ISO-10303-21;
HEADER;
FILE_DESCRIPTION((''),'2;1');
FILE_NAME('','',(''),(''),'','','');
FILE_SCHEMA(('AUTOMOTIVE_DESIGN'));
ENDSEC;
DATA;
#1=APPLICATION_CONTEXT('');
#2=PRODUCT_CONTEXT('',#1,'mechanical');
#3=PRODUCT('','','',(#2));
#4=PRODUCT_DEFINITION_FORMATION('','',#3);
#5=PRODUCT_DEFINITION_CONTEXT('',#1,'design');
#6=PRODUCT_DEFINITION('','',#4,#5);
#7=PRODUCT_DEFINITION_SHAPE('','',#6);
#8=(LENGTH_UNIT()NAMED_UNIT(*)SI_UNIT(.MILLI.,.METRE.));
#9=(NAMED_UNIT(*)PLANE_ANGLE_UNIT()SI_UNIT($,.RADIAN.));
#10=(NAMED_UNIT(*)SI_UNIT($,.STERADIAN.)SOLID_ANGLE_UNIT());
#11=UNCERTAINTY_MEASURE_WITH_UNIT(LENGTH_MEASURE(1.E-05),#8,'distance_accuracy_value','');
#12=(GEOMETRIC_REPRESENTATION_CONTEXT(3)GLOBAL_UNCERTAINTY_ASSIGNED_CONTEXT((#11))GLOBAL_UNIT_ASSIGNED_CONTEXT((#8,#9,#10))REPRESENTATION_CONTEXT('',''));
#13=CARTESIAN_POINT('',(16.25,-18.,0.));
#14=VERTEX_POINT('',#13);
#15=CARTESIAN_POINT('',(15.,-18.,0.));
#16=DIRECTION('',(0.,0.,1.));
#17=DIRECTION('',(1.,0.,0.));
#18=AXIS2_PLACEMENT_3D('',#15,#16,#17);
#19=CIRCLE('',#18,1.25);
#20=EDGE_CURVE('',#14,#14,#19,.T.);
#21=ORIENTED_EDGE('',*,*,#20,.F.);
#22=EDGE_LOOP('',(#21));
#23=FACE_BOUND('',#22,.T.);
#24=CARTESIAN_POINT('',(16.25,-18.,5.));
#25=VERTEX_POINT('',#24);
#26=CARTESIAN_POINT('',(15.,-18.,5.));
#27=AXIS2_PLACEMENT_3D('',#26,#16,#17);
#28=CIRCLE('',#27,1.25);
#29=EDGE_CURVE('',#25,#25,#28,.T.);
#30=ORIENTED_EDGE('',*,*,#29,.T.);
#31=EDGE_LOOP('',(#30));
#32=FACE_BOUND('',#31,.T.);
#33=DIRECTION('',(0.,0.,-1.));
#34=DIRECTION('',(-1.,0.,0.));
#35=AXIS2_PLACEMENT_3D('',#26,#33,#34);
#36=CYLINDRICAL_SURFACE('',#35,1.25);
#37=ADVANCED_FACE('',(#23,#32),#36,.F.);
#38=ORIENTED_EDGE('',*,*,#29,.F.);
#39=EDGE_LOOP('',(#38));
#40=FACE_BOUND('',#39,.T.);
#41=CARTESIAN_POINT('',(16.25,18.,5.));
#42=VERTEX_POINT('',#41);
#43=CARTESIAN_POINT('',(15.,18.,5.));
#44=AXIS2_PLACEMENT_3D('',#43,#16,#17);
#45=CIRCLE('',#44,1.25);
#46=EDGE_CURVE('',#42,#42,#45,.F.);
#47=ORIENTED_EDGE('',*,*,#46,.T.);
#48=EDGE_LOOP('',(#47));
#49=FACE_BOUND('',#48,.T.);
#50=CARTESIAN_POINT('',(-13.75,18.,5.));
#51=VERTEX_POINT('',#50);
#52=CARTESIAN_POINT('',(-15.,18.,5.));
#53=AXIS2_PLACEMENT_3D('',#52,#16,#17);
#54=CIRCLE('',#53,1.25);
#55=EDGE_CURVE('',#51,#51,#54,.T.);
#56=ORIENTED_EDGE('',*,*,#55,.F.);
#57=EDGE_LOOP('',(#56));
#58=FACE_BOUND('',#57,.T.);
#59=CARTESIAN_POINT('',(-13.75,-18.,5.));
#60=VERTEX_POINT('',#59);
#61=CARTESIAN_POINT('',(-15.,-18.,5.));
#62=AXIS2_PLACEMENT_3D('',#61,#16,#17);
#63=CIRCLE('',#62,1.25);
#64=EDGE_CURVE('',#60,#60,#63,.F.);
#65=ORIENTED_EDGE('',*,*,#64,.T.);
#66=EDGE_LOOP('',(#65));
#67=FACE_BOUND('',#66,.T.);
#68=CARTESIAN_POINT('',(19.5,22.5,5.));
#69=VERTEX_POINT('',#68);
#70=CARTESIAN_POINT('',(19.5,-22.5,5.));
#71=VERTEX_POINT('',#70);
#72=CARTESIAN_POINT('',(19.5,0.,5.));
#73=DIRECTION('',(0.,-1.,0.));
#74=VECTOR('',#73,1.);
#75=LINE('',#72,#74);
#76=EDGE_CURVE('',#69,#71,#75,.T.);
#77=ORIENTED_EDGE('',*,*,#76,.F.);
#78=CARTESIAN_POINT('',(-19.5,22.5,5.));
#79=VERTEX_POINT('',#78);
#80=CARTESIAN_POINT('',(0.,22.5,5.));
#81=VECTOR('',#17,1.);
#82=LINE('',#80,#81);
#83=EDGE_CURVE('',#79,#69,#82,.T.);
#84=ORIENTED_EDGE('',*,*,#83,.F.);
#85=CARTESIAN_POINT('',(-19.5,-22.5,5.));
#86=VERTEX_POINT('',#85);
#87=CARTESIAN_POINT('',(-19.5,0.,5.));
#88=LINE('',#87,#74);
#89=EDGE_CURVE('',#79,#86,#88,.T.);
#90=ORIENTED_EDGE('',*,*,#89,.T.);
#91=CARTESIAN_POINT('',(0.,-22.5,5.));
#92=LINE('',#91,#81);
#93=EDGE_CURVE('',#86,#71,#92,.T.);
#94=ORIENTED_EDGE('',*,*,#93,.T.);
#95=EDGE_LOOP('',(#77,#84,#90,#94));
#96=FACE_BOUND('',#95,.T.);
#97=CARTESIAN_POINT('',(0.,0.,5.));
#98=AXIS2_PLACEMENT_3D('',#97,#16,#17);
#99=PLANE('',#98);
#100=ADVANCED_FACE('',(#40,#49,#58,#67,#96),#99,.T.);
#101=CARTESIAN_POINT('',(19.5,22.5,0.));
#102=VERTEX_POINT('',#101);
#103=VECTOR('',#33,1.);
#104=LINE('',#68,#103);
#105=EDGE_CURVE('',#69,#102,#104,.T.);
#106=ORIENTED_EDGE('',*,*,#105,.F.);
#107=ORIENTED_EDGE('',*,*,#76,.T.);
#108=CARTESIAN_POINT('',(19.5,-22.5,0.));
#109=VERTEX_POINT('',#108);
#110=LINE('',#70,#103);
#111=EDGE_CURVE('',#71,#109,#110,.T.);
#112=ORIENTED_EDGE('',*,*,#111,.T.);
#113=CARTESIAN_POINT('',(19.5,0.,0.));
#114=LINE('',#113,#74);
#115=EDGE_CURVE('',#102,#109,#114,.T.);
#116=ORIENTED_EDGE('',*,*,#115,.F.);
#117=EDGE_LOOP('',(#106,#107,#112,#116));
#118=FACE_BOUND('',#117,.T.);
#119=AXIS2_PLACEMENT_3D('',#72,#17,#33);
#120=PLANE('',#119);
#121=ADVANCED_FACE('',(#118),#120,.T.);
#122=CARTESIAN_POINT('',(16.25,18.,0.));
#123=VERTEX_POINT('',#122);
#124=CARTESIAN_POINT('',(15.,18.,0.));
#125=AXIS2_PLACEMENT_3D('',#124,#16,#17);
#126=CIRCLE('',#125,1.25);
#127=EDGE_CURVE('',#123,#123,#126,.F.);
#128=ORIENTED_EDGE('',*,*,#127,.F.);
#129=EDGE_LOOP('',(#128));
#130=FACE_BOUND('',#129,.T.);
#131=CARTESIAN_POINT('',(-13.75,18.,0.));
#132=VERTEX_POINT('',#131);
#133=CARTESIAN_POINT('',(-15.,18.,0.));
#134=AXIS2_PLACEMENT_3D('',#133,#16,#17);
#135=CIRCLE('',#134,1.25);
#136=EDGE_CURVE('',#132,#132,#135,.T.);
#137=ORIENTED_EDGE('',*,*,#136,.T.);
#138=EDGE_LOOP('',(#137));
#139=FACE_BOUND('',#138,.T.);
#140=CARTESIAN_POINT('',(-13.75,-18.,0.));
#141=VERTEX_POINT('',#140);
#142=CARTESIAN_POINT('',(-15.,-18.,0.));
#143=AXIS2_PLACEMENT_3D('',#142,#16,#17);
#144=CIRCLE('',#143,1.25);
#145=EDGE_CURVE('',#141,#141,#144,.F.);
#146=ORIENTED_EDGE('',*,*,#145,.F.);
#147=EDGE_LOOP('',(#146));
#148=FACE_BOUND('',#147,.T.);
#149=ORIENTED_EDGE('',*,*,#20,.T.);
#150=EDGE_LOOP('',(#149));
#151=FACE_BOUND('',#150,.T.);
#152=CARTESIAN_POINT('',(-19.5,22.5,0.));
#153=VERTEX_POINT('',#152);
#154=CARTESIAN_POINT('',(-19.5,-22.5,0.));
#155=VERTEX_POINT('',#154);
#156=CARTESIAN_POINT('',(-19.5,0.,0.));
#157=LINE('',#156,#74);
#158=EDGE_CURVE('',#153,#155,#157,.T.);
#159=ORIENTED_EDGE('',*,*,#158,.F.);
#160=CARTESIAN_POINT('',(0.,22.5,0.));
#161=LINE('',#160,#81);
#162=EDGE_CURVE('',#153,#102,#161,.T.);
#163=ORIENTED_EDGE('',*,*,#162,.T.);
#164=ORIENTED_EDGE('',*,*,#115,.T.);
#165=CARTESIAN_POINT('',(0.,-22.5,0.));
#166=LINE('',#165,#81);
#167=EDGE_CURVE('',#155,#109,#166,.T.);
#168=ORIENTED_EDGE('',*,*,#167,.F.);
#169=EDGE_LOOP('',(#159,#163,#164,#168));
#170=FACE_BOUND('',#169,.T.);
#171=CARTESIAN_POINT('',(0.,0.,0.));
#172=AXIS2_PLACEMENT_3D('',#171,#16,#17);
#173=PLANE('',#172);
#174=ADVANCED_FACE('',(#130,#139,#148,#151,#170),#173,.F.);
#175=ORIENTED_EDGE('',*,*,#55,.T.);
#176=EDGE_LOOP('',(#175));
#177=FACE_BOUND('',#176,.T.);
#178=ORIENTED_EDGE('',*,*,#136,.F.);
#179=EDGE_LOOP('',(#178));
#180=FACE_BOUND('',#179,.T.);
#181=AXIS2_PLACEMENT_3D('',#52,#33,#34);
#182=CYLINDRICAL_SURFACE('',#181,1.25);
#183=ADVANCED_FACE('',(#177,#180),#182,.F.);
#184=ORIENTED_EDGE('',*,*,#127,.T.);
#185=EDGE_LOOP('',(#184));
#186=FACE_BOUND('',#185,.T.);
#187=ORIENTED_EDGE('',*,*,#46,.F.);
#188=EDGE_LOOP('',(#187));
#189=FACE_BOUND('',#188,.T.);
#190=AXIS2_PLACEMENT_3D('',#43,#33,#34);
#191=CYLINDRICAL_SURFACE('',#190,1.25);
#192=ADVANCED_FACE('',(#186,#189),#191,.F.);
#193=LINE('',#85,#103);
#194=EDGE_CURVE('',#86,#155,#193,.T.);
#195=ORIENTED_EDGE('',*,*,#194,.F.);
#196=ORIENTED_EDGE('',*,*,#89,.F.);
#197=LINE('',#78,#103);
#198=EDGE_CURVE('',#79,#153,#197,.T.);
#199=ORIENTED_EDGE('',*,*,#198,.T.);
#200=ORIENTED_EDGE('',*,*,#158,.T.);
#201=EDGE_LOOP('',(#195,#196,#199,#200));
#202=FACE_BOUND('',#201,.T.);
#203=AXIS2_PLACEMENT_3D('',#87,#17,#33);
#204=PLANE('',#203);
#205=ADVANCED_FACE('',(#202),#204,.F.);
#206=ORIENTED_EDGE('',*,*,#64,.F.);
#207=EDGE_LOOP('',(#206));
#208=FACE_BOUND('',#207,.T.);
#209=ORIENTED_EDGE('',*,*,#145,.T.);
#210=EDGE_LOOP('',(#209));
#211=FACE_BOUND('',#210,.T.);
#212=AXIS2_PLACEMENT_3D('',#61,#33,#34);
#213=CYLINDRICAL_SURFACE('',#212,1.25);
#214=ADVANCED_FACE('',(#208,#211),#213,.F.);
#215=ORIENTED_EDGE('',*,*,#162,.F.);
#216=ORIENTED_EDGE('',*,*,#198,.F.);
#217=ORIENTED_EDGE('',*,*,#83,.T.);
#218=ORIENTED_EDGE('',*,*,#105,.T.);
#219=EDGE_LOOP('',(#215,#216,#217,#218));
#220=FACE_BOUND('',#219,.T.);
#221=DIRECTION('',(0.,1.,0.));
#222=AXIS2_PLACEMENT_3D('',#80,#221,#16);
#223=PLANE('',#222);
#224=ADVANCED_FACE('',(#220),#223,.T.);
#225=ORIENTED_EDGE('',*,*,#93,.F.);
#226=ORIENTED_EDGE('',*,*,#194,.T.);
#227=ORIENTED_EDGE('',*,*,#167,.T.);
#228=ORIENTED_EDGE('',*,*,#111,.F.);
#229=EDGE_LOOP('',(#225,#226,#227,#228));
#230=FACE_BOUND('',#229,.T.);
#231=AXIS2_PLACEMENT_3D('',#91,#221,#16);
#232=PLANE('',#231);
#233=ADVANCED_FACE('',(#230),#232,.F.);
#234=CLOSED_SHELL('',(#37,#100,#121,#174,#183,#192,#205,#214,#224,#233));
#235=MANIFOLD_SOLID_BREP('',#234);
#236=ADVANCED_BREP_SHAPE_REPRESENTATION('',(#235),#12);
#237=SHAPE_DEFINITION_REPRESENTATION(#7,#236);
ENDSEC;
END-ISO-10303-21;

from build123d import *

# Parameters (mm, degrees)
SKETCH1_W           = 39
SKETCH1_H           = 45
SKETCH1_R           = 1.25
BOSS_EXTRUDE1_DEPTH = 5


with BuildPart() as part:
    # Sketch1 → Boss-Extrude1 (new body)
    with BuildSketch(Plane.XY):
        Rectangle(SKETCH1_W, SKETCH1_H)
        with Locations((15, 18)):
            Circle(SKETCH1_R, mode=Mode.SUBTRACT)
        with Locations((-15, 18)):
            Circle(SKETCH1_R, mode=Mode.SUBTRACT)
        with Locations((15, -18)):
            Circle(SKETCH1_R, mode=Mode.SUBTRACT)
        with Locations((-15, -18)):
            Circle(SKETCH1_R, mode=Mode.SUBTRACT)
    extrude(amount=BOSS_EXTRUDE1_DEPTH)


solid = part.part
